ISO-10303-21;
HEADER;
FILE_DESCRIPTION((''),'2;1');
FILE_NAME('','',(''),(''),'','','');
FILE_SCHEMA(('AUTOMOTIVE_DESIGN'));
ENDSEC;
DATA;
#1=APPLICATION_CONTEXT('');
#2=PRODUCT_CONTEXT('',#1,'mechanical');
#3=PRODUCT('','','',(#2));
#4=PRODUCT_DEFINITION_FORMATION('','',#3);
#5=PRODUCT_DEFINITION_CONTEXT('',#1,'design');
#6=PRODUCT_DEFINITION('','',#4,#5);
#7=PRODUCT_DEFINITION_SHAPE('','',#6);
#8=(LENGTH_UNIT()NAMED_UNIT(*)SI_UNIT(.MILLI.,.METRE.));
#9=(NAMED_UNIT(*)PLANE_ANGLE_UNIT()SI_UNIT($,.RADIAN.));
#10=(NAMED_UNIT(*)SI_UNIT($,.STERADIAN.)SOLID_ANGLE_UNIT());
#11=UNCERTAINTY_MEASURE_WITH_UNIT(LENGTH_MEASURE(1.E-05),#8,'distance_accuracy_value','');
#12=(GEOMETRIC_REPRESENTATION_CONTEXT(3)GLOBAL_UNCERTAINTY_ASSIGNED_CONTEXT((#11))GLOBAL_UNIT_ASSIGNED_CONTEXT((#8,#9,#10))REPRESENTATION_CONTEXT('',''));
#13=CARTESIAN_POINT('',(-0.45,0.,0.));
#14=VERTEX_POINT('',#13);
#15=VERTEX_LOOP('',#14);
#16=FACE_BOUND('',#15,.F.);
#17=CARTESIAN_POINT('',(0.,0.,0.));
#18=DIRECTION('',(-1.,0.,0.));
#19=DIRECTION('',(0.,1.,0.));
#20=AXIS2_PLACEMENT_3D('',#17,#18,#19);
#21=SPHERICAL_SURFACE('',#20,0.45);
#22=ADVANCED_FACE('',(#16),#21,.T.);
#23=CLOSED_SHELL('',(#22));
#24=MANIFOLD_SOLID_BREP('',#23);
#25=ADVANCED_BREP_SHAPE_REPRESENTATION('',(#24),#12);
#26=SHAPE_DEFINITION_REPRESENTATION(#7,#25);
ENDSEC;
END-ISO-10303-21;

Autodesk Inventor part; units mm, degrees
sketch "Sketch_1" plane through (0, 0, 0) normal (0, 0, 1) x (1, 0, 0)
  line L0 (0.45, 0) -> (-0.45, 0)
  arc A0 (0.45, 0) -> (-0.45, 0) centre (0, 0) ccw
  line L1 (0.45, 0) -> (-0.45, 0)
revolve "Revolution1" add sketch "Sketch_1" angle 360 about axis through (0.45, 0, 0) along (1, 0, 0)
ref_plane "ip_st_1_XY" through (0, 0, 0) normal (-1, 0, 0) x (0, 0, -1)
ref_plane "ip_st_1_YZ" through (0, 0, 0) normal (0, 0, -1) x (0, -1, 0)
ref_plane "ip_st_1_ZX" through (0, 0, 0) normal (0, -1, 0) x (-1, 0, 0)
properties part number "MF74ZZ Ball"
